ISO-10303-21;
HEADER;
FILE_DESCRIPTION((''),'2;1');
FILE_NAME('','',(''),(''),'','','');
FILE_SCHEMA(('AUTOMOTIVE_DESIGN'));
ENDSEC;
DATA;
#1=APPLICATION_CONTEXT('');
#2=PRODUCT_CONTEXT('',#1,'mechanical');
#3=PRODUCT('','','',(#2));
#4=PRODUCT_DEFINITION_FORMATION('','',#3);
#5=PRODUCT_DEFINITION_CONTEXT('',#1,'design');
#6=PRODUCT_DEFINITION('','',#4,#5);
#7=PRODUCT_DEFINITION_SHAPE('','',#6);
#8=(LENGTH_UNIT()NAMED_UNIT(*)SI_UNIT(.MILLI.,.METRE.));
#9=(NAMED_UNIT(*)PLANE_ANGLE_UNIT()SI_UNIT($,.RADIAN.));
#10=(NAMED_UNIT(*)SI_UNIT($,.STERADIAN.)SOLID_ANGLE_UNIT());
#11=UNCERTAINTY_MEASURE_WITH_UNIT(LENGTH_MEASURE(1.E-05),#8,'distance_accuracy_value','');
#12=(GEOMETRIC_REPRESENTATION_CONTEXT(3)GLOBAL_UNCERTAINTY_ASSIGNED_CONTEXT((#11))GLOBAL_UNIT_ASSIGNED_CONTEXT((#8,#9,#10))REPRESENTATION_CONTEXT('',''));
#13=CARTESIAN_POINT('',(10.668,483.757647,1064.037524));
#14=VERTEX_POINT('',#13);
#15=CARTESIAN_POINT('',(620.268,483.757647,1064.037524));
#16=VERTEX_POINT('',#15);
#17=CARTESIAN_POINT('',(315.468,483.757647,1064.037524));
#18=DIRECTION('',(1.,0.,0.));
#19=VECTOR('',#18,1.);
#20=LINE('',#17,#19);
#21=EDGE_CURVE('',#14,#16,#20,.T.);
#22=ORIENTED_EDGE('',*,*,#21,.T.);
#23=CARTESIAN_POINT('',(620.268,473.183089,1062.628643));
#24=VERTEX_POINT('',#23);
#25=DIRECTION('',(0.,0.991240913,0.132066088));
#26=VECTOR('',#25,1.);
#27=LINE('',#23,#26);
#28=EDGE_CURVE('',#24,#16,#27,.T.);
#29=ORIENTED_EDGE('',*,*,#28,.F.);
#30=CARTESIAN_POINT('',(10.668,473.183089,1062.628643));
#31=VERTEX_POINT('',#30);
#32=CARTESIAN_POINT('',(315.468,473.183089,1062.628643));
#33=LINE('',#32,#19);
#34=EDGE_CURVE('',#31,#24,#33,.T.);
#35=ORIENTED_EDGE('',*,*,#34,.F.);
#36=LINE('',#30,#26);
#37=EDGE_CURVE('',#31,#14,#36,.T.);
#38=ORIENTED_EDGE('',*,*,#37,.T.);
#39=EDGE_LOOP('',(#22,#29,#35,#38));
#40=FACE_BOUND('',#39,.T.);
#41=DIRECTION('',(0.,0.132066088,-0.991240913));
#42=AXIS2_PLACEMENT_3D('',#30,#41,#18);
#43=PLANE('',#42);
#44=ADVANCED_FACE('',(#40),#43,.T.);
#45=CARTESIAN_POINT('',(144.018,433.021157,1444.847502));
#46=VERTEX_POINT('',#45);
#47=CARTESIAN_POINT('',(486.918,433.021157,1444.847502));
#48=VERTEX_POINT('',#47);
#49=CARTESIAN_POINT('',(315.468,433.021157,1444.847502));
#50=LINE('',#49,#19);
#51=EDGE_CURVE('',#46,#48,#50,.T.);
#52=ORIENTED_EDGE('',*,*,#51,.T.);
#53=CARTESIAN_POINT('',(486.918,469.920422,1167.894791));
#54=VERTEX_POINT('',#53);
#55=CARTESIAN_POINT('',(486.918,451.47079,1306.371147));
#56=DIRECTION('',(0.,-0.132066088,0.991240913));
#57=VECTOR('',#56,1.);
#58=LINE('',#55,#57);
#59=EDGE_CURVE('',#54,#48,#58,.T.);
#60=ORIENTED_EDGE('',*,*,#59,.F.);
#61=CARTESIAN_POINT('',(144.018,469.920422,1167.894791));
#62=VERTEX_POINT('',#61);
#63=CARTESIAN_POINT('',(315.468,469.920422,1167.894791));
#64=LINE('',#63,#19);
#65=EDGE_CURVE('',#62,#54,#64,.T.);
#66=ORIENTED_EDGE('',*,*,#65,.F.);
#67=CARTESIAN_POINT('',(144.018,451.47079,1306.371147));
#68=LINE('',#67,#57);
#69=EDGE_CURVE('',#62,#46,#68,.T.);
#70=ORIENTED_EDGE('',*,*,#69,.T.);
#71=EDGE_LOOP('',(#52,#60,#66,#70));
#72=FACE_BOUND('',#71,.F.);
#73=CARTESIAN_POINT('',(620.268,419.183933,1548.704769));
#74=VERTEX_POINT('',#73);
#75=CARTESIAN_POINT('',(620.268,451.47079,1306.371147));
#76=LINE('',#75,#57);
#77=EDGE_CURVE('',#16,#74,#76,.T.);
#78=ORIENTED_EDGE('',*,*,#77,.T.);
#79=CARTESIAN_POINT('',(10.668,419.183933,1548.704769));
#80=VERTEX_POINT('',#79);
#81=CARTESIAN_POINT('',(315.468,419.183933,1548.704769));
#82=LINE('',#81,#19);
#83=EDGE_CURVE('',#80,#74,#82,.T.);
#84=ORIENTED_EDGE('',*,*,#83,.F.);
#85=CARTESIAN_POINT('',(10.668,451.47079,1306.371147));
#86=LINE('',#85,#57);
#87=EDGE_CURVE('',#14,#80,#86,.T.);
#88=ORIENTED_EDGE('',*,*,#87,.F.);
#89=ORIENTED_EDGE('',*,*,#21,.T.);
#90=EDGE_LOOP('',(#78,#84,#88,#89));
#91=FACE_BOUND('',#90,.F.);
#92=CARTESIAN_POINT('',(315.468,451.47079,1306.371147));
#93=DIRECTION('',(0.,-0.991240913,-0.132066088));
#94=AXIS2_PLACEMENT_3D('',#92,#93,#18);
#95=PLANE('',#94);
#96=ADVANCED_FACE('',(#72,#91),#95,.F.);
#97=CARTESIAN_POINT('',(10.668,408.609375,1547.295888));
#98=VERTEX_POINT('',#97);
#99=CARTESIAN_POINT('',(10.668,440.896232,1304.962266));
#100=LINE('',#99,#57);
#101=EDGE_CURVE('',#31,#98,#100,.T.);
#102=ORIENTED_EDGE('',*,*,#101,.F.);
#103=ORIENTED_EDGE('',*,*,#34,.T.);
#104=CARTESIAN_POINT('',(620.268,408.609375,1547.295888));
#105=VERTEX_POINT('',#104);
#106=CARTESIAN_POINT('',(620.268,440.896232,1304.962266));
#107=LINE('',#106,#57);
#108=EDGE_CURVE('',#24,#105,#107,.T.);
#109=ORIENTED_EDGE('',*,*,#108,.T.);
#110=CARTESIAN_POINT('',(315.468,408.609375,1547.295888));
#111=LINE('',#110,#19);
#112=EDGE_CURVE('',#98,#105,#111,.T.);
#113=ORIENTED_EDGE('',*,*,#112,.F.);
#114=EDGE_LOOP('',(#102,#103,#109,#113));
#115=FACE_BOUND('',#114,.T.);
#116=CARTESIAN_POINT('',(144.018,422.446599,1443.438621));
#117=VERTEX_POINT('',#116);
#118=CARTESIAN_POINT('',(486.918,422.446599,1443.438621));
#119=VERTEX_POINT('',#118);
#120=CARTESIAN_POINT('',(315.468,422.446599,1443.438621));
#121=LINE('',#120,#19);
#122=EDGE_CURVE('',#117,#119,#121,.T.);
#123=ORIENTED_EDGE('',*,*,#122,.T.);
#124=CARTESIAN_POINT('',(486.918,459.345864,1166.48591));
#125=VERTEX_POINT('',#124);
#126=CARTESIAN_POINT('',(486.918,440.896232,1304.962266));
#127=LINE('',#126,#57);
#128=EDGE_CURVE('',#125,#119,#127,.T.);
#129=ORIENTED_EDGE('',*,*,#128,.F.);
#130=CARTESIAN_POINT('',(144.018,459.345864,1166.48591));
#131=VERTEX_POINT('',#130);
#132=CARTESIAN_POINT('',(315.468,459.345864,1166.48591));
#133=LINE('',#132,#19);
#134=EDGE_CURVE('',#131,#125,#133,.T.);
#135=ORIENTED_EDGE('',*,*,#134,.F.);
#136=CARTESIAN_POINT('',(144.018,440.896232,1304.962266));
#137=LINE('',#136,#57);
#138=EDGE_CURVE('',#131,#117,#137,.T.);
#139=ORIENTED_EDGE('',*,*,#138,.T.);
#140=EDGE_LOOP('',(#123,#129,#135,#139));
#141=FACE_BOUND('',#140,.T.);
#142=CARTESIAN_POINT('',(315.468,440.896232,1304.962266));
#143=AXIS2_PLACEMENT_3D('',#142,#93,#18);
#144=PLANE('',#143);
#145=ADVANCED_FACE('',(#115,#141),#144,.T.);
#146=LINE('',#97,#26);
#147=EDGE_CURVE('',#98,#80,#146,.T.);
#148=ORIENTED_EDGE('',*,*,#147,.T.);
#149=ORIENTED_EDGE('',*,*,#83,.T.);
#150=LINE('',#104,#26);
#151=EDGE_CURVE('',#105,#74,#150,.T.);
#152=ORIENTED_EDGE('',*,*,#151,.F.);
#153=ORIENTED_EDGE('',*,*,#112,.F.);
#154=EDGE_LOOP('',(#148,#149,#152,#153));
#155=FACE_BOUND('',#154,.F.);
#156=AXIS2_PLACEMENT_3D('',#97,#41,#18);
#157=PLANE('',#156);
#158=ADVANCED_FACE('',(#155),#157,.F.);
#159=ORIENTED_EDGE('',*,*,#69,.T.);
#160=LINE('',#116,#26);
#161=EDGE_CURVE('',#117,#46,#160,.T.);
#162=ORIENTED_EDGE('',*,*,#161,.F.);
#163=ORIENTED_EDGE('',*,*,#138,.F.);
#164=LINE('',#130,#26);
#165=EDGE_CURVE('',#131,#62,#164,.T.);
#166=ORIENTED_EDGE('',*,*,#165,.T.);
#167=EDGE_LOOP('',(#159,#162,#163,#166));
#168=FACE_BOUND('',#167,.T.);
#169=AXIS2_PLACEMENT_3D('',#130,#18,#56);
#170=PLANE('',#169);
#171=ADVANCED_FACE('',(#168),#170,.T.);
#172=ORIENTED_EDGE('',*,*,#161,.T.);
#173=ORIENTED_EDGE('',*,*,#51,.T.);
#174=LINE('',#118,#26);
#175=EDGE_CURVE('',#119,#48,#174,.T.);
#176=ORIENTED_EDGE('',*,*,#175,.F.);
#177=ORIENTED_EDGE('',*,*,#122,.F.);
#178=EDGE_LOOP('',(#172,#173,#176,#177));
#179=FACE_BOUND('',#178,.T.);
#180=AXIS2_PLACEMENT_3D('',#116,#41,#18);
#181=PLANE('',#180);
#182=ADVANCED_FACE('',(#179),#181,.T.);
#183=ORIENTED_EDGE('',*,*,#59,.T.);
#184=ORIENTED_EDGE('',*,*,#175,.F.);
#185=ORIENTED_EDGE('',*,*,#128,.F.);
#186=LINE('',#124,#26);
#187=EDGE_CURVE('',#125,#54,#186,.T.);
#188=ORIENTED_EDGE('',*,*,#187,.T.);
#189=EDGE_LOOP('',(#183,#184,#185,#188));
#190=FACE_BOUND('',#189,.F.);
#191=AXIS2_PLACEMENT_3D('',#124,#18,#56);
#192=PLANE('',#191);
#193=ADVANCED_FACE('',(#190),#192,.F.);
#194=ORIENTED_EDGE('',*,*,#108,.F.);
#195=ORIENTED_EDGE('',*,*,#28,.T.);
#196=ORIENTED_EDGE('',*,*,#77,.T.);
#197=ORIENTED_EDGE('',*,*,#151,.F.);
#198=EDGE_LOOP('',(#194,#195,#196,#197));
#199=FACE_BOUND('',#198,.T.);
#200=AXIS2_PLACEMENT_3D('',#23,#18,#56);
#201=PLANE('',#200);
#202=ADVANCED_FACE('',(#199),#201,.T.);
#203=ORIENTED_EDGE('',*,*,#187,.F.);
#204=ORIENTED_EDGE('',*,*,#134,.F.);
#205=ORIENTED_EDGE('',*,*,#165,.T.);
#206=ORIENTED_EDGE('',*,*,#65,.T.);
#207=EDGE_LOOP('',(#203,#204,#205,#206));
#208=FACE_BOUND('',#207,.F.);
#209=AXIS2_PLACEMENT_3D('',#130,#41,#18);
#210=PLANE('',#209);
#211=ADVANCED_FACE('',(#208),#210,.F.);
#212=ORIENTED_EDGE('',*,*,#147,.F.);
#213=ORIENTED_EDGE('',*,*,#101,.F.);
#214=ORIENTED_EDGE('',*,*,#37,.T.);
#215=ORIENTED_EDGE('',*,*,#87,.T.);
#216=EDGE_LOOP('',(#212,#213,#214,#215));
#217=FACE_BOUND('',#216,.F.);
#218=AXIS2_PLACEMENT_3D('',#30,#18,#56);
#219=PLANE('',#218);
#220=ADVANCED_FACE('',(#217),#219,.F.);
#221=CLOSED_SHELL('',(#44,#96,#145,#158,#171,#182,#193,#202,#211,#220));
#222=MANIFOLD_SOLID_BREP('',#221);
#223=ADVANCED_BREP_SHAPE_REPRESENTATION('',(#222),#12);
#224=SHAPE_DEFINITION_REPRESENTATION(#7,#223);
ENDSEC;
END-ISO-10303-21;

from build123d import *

# Parameters (mm, degrees)
SKETCH_W     = 342.9
SKETCH_H     = 279.4
PAD_DEPTH    = 10.668
SKETCH003_W  = 609.6
SKETCH003_H  = 488.95
PAD003_DEPTH = 10.668


with BuildPart() as pad:
    # Sketch → Pad (new body)
    with BuildSketch(Plane(origin=(144.018, 482.3887756195, 1169.5572667002), x_dir=(1, 0, 0), z_dir=(0, -0.9912409134, -0.1320660881))):
        with Locations((171.45, 139.7)):
            Rectangle(SKETCH_W, SKETCH_H)
    extrude(amount=-PAD_DEPTH)


with BuildPart() as screen:
    # Sketch003 → Pad003 (new body)
    with BuildSketch(Plane(origin=(10.668, 496.226, 1065.7), x_dir=(1, 0, 0), z_dir=(0, -0.9912409134, -0.1320660881))):
        with Locations((304.8, 244.475)):
            Rectangle(SKETCH003_W, SKETCH003_H)
    extrude(amount=-PAD003_DEPTH)

    # Cut002: cut Pad
    add(pad.part, mode=Mode.SUBTRACT)


with BuildPart() as screen_1:
    # Cut002 placement: moved
    add(screen.part.moved(Location((0, -23.0429113355, -3.0713566138))))


solid = screen_1.part
